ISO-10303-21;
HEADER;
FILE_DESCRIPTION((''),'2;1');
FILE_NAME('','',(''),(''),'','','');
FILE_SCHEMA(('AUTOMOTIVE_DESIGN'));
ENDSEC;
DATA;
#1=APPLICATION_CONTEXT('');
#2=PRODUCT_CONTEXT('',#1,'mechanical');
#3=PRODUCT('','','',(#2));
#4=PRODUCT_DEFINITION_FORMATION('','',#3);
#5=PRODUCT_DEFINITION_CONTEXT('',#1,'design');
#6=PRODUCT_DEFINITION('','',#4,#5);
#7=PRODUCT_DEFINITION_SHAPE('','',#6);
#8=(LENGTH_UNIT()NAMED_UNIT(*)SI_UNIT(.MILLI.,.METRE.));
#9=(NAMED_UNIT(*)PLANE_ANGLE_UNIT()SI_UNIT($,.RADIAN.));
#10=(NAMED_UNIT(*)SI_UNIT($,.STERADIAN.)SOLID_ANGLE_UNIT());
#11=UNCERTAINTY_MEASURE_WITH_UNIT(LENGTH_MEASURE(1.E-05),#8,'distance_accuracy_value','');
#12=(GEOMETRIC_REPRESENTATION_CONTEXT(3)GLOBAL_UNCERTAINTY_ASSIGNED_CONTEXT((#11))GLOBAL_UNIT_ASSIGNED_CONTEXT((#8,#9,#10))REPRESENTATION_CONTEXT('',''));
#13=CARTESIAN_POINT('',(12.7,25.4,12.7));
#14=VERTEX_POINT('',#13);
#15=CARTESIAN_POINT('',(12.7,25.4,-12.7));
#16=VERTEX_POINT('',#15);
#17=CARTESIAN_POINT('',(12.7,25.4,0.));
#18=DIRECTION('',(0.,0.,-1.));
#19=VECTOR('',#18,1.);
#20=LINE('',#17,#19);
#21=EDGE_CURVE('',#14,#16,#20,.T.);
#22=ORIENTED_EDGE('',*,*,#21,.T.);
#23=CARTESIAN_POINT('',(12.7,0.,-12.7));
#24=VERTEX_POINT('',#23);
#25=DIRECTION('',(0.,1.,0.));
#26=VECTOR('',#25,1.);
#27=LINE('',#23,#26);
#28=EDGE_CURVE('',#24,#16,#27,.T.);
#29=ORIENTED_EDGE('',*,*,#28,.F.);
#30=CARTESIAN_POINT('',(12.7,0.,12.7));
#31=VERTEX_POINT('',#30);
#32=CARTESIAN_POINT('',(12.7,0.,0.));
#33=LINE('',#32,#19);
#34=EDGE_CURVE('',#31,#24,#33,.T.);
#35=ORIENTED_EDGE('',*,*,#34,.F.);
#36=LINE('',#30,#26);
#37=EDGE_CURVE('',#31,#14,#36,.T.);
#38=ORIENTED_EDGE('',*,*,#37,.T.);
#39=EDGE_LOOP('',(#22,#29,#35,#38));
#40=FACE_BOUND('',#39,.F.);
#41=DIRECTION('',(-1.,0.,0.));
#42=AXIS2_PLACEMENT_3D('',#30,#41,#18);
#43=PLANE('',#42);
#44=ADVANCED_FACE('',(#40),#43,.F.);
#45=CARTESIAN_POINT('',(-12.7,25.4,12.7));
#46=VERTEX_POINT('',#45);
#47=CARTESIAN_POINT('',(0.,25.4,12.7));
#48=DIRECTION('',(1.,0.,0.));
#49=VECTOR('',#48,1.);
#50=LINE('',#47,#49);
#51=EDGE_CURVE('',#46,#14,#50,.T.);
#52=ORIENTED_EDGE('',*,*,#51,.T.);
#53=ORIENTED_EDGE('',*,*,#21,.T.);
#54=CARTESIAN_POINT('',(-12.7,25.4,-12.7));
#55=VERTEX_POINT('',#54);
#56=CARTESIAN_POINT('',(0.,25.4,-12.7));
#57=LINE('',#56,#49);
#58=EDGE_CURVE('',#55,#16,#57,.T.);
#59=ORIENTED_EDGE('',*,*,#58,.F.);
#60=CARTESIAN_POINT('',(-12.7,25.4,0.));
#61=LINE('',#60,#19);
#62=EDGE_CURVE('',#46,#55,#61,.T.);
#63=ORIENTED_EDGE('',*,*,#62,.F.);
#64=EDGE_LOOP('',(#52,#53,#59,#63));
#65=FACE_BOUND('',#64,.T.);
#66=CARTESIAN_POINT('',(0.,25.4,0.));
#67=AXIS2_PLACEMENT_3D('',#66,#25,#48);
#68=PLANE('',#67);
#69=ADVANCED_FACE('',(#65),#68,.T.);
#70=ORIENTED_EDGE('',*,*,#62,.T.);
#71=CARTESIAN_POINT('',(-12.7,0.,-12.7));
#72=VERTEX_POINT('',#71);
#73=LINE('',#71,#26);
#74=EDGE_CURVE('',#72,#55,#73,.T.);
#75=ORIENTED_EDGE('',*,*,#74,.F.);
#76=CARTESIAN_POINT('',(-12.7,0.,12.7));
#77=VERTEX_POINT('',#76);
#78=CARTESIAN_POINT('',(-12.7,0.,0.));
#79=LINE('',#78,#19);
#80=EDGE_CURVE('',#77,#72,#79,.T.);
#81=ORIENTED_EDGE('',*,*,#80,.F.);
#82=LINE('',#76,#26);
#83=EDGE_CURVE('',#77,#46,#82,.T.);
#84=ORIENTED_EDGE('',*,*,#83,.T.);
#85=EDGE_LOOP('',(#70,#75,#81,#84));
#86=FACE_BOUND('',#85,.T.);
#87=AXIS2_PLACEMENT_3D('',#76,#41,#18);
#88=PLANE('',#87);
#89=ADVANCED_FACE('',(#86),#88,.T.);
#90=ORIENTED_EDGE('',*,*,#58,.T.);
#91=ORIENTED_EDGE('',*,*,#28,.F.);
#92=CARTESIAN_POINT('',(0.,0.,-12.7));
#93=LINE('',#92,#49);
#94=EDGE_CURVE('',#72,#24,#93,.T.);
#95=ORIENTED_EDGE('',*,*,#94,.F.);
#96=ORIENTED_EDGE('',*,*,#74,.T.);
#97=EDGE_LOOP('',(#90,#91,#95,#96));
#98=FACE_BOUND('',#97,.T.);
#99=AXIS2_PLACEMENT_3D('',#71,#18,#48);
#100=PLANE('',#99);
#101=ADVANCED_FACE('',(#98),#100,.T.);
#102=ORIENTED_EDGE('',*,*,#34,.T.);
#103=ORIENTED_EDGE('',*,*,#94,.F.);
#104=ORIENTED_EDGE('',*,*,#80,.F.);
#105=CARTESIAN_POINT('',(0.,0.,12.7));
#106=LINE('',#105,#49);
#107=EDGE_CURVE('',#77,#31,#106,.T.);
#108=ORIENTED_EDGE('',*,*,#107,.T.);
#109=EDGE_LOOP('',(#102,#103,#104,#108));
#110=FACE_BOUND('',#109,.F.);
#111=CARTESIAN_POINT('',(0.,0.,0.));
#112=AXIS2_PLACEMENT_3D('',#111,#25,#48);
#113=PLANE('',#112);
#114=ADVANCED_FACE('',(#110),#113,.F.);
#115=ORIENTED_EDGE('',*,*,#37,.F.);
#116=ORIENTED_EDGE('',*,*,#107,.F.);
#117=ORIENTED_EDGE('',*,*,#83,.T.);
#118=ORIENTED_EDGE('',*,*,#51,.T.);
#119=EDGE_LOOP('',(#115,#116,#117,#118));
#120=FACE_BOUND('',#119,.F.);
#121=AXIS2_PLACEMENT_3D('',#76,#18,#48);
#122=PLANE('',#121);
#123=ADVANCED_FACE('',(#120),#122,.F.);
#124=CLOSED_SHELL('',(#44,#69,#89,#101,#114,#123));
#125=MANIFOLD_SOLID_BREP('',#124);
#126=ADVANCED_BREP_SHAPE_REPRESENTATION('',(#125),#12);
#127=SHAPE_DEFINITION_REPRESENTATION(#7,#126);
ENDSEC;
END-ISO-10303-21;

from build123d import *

# Parameters (mm, degrees)
SKETCH_1_W      = 25.4
SKETCH_1_H      = 25.4
EXTRUDE_1_DEPTH = 25.4


with BuildPart() as part:
    # 草图1 → 凸台-拉伸1 (new body)
    with BuildSketch(Plane(origin=(0, 0, 0), x_dir=(1, 0, 0), z_dir=(0, 1, 0))):
        Rectangle(SKETCH_1_W, SKETCH_1_H)
    extrude(amount=EXTRUDE_1_DEPTH)


solid = part.part
